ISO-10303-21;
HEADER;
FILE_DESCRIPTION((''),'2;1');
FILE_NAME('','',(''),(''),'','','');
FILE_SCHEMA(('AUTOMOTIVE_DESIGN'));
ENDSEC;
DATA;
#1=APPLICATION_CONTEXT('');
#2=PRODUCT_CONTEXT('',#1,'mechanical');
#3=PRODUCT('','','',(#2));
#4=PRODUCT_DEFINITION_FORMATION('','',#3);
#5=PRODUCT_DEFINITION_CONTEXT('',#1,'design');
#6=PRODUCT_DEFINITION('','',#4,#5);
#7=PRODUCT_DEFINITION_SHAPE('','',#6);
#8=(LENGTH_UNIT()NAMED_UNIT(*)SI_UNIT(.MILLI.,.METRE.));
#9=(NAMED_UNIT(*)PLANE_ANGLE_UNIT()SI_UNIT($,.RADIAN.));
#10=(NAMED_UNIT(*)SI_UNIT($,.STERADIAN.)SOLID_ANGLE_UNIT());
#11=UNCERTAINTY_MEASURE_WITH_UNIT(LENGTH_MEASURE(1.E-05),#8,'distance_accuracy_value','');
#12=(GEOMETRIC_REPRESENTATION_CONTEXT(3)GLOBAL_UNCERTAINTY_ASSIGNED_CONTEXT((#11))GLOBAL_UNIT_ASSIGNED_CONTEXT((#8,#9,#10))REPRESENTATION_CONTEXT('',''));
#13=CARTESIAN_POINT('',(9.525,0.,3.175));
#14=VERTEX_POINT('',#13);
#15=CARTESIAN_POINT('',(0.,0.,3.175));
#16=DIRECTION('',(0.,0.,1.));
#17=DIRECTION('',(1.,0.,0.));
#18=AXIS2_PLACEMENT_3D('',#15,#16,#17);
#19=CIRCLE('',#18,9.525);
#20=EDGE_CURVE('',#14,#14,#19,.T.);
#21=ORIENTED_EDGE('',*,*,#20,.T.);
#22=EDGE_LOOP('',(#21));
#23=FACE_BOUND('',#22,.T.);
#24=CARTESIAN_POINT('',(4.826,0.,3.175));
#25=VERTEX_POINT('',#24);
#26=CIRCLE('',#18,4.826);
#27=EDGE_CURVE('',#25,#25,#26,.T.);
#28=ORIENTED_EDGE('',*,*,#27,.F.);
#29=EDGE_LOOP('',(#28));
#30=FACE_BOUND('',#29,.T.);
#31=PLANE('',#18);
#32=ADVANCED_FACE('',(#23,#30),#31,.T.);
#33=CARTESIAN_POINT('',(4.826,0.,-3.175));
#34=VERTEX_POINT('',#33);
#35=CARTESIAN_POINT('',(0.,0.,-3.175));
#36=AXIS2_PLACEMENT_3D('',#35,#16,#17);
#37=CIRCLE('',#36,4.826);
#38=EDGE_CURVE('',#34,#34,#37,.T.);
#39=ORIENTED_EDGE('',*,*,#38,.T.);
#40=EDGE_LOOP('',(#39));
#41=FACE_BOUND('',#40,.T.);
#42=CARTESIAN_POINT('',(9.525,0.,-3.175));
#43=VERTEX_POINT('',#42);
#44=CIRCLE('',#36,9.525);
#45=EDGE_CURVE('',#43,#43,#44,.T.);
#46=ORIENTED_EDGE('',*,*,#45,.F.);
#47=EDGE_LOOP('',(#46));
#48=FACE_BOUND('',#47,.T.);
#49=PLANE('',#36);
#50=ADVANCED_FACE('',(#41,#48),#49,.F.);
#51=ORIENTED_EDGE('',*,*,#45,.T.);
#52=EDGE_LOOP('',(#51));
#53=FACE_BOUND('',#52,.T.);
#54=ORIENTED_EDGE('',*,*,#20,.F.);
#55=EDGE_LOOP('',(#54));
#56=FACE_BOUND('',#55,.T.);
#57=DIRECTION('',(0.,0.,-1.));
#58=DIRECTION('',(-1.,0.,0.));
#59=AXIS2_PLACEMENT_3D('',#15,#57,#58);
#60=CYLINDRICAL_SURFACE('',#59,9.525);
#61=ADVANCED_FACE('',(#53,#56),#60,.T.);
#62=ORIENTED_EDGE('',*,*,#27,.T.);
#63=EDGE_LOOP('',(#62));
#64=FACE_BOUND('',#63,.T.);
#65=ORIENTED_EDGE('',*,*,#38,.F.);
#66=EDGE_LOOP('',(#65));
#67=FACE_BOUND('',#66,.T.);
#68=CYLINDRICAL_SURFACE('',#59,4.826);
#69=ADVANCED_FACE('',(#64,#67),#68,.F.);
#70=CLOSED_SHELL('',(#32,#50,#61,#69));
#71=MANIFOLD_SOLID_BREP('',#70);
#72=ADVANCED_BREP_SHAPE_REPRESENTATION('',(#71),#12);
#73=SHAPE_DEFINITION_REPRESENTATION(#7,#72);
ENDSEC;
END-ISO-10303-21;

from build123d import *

# Parameters (mm, degrees)
SKETCH1_R      = 9.525
SKETCH1_R_2    = 4.826
EXTRUDE1_DEPTH = 3.175


with BuildPart() as part:
    # Sketch1 → Extrude1 (new body, symmetric)
    with BuildSketch(Plane.XY):
        Circle(SKETCH1_R)
        Circle(SKETCH1_R_2, mode=Mode.SUBTRACT)
    extrude(amount=EXTRUDE1_DEPTH, both=True)


solid = part.part
